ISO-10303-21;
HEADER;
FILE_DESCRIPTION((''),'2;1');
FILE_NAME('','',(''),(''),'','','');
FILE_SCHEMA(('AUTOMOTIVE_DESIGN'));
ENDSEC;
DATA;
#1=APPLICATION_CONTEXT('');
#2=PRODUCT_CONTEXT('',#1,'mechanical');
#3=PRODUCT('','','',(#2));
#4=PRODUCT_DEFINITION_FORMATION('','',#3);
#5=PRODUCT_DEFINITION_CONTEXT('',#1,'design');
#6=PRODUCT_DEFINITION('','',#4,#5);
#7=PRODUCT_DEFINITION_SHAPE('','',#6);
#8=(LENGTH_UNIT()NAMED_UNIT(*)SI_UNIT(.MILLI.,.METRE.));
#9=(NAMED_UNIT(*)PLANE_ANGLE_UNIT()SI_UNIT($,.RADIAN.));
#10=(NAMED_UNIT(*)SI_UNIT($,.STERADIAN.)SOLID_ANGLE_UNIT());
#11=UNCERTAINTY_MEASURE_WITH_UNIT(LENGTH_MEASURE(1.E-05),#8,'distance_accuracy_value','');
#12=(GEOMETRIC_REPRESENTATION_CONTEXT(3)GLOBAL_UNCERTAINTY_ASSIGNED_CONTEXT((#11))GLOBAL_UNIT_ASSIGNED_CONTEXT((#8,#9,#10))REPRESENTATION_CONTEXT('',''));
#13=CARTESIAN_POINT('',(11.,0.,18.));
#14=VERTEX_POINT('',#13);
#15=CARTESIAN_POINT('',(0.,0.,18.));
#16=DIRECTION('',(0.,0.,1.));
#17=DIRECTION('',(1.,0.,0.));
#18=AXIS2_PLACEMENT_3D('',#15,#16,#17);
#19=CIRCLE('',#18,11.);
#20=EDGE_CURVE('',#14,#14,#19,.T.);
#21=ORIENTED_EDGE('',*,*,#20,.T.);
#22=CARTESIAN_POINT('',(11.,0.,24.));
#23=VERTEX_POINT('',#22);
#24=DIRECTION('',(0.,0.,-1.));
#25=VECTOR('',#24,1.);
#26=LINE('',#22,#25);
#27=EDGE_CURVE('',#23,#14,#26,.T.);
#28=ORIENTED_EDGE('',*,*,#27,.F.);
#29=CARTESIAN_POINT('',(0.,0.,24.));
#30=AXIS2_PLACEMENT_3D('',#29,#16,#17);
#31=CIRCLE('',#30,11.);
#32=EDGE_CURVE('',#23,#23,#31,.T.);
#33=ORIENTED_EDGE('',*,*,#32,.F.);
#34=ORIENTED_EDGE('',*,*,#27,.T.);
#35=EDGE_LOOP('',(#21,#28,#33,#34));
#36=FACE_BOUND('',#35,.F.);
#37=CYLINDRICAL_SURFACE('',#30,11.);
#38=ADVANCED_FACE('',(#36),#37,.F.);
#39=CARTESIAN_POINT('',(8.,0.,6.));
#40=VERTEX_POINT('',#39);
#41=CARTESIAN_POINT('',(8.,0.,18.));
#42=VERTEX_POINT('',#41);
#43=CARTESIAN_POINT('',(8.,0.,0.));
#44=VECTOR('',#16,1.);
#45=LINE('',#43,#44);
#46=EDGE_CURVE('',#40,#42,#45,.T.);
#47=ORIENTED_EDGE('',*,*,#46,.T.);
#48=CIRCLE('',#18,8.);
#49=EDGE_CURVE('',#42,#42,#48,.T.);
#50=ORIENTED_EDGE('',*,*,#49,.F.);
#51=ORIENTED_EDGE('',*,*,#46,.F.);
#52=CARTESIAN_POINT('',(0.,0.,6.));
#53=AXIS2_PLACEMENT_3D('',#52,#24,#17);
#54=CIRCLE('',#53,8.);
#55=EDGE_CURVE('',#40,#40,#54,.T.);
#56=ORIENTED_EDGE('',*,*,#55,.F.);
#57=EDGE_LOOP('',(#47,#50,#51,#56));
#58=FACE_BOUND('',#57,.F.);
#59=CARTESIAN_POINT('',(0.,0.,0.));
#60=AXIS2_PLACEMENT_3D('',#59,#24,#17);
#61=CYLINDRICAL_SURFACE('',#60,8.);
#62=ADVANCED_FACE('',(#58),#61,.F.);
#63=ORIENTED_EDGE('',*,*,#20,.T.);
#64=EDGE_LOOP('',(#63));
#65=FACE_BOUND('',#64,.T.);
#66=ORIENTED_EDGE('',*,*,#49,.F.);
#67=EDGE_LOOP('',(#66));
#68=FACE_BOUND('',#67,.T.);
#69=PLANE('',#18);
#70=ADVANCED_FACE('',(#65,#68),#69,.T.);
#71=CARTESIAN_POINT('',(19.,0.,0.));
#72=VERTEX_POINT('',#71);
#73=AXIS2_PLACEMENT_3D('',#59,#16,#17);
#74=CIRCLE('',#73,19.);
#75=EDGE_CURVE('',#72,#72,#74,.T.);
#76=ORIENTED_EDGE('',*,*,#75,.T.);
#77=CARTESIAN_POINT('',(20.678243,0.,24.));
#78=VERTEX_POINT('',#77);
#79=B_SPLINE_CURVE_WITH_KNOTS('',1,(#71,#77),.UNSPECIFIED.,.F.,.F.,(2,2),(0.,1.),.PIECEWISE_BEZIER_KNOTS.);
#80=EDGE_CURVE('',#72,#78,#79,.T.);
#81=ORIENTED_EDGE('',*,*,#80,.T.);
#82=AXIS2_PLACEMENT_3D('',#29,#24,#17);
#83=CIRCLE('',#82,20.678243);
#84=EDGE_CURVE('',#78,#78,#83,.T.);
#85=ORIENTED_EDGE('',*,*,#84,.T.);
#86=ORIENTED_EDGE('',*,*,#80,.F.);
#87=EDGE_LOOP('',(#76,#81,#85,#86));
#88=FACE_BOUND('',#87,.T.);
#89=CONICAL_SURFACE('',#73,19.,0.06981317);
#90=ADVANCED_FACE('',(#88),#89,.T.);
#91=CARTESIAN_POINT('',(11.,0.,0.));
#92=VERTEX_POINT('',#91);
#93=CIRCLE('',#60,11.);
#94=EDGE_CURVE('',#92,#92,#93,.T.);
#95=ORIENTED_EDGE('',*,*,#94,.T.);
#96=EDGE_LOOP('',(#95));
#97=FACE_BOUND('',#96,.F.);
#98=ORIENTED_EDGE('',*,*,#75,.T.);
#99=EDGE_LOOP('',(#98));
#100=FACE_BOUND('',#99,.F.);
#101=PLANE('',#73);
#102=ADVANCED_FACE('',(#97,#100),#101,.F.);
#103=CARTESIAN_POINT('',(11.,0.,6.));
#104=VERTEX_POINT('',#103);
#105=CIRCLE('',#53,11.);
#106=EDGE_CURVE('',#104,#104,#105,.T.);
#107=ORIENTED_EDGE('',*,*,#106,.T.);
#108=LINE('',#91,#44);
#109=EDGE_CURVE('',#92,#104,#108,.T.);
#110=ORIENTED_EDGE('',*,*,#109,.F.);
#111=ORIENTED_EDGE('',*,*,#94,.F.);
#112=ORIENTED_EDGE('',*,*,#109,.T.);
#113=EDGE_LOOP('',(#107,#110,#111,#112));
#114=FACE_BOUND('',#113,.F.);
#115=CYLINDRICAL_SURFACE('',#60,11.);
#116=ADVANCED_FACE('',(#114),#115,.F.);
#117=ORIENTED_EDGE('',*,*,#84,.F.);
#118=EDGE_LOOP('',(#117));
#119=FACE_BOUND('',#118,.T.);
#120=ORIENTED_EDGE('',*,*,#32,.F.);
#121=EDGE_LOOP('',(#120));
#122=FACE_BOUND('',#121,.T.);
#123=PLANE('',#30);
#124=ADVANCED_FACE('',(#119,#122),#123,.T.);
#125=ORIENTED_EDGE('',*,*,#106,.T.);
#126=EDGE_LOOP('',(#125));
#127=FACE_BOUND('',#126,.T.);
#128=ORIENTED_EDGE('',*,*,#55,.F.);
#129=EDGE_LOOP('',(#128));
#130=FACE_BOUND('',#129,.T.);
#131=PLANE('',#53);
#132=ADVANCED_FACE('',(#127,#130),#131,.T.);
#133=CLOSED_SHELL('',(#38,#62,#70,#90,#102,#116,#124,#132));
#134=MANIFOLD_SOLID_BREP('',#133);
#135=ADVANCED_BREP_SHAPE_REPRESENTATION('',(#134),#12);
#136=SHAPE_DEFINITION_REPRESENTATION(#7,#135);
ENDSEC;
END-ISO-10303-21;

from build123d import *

# Parameters (mm, degrees)
F0_R     = 19
F1_DEPTH = 24
F1_TAPER = -4
F2_R     = 8
F3_DEPTH = 24.0010001
F2_R_2   = 11
F4_DEPTH = 6
F5_R     = 11
F5_R_2   = 8
F6_DEPTH = 6


with BuildPart() as f1:
    # F0 (on Top) → F1 (new body)
    with BuildSketch(Plane.XY):
        Circle(F0_R)
    extrude(amount=F1_DEPTH, taper=F1_TAPER)

    # F2 (on face) → F3 (cut, through all)
    with BuildSketch(Plane(origin=(0, 0, 0), x_dir=(1, 0, 0), z_dir=(0, 0, -1))):
        Circle(F2_R)
    extrude(amount=-F3_DEPTH, mode=Mode.SUBTRACT)

    # F2 (on face) → F4 (cut)
    with BuildSketch(Plane(origin=(0, 0, 0), x_dir=(1, 0, 0), z_dir=(0, 0, -1))):
        Circle(F2_R_2)
        Circle(F2_R, mode=Mode.SUBTRACT)
    extrude(amount=-F4_DEPTH, mode=Mode.SUBTRACT)

    # F5 (on face) → F6 (cut)
    with BuildSketch(Plane.XY.offset(24)):
        Circle(F5_R)
        Circle(F5_R_2, mode=Mode.SUBTRACT)
    extrude(amount=-F6_DEPTH, mode=Mode.SUBTRACT)


solid = f1.part
